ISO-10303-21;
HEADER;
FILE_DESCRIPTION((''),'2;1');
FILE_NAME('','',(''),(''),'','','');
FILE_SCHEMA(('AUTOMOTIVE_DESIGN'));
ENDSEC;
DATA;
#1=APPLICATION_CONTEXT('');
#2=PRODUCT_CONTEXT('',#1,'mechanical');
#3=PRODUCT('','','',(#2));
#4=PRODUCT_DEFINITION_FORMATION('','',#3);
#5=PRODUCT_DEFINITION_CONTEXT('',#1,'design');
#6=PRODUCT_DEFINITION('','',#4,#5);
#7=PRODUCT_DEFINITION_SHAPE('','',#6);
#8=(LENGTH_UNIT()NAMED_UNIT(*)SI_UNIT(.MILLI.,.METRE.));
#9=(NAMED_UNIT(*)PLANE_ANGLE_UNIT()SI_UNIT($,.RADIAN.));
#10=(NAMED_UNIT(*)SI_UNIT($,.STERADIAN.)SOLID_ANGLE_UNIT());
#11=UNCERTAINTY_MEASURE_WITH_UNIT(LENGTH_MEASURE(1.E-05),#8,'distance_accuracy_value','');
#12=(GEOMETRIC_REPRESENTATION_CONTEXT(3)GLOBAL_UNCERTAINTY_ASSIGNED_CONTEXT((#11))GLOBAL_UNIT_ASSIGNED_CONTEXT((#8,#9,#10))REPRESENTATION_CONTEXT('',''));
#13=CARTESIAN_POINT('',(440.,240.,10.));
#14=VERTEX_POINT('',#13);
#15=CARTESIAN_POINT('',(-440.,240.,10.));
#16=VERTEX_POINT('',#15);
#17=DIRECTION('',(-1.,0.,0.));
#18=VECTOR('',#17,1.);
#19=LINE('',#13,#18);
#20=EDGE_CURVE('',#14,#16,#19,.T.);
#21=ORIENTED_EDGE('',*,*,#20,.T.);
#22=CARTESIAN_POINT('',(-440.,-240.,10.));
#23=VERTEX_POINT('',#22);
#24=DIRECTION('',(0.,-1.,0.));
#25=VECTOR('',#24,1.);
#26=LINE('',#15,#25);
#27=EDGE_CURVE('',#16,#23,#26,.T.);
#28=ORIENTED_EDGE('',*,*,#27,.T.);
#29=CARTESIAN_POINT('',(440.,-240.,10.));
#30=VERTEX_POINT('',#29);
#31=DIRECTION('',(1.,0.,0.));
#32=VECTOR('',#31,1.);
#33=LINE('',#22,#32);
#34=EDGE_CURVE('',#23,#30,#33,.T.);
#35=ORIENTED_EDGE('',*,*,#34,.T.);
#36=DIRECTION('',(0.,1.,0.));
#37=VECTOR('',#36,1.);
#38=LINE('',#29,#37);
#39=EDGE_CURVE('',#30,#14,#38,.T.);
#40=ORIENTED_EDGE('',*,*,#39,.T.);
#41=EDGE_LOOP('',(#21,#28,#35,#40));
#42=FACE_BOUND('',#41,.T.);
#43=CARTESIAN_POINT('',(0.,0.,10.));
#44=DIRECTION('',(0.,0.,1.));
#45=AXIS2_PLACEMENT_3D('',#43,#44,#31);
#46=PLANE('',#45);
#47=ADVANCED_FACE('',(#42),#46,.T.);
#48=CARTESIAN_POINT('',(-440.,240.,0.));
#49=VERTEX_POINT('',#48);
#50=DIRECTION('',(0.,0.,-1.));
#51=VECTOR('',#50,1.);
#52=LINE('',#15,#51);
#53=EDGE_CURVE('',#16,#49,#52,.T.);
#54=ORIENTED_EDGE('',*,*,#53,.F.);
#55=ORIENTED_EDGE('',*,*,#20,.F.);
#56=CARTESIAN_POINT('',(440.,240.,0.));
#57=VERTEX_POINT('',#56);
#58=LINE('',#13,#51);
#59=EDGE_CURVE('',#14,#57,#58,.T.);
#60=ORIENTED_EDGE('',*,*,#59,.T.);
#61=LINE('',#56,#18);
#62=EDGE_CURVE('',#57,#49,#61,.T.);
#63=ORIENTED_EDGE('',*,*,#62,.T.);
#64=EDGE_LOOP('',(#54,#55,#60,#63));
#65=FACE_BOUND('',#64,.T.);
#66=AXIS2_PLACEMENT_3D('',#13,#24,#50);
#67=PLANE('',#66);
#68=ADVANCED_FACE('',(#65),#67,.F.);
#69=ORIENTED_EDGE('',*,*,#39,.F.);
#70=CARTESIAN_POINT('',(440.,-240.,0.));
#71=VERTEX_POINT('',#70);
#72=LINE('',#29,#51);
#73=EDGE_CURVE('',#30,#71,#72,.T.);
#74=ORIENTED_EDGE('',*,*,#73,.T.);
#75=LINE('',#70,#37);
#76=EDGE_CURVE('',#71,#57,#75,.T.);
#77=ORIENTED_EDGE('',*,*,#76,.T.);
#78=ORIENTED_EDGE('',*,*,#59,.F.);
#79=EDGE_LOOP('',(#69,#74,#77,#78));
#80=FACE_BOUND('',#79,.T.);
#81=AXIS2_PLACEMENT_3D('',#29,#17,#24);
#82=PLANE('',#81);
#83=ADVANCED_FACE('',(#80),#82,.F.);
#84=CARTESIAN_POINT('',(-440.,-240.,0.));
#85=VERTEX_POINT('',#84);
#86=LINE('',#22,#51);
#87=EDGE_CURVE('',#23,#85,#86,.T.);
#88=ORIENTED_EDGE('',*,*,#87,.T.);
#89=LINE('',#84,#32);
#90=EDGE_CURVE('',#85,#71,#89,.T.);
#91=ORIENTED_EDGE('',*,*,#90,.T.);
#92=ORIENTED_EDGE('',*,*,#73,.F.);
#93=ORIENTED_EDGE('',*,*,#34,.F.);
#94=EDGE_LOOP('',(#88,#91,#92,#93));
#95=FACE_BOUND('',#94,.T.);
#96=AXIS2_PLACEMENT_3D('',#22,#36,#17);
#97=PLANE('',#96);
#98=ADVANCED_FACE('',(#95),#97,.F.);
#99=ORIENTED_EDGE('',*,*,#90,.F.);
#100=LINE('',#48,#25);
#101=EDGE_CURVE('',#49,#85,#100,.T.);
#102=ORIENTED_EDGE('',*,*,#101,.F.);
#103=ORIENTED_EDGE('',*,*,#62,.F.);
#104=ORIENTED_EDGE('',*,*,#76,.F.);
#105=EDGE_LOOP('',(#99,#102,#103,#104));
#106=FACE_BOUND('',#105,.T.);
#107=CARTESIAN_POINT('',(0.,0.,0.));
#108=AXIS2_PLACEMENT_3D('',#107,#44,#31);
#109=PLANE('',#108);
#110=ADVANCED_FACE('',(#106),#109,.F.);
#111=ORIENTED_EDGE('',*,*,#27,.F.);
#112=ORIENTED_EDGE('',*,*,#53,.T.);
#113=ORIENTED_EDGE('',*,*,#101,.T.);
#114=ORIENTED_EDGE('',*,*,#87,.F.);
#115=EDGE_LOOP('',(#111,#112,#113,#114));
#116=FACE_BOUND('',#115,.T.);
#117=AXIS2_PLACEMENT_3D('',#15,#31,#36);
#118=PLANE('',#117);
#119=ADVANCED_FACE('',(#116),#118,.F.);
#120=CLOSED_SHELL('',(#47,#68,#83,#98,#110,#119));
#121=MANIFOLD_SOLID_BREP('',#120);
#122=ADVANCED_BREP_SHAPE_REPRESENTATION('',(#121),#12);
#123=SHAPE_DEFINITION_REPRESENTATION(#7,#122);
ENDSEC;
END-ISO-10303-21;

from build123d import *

# Parameters (mm, degrees)
SKETCH1_W           = 880
SKETCH1_H           = 480
BOSS_EXTRUDE1_DEPTH = 10


with BuildPart() as part:
    # Sketch1 → Boss-Extrude1 (new body)
    with BuildSketch(Plane.XY):
        Rectangle(SKETCH1_W, SKETCH1_H)
    extrude(amount=BOSS_EXTRUDE1_DEPTH)


solid = part.part
